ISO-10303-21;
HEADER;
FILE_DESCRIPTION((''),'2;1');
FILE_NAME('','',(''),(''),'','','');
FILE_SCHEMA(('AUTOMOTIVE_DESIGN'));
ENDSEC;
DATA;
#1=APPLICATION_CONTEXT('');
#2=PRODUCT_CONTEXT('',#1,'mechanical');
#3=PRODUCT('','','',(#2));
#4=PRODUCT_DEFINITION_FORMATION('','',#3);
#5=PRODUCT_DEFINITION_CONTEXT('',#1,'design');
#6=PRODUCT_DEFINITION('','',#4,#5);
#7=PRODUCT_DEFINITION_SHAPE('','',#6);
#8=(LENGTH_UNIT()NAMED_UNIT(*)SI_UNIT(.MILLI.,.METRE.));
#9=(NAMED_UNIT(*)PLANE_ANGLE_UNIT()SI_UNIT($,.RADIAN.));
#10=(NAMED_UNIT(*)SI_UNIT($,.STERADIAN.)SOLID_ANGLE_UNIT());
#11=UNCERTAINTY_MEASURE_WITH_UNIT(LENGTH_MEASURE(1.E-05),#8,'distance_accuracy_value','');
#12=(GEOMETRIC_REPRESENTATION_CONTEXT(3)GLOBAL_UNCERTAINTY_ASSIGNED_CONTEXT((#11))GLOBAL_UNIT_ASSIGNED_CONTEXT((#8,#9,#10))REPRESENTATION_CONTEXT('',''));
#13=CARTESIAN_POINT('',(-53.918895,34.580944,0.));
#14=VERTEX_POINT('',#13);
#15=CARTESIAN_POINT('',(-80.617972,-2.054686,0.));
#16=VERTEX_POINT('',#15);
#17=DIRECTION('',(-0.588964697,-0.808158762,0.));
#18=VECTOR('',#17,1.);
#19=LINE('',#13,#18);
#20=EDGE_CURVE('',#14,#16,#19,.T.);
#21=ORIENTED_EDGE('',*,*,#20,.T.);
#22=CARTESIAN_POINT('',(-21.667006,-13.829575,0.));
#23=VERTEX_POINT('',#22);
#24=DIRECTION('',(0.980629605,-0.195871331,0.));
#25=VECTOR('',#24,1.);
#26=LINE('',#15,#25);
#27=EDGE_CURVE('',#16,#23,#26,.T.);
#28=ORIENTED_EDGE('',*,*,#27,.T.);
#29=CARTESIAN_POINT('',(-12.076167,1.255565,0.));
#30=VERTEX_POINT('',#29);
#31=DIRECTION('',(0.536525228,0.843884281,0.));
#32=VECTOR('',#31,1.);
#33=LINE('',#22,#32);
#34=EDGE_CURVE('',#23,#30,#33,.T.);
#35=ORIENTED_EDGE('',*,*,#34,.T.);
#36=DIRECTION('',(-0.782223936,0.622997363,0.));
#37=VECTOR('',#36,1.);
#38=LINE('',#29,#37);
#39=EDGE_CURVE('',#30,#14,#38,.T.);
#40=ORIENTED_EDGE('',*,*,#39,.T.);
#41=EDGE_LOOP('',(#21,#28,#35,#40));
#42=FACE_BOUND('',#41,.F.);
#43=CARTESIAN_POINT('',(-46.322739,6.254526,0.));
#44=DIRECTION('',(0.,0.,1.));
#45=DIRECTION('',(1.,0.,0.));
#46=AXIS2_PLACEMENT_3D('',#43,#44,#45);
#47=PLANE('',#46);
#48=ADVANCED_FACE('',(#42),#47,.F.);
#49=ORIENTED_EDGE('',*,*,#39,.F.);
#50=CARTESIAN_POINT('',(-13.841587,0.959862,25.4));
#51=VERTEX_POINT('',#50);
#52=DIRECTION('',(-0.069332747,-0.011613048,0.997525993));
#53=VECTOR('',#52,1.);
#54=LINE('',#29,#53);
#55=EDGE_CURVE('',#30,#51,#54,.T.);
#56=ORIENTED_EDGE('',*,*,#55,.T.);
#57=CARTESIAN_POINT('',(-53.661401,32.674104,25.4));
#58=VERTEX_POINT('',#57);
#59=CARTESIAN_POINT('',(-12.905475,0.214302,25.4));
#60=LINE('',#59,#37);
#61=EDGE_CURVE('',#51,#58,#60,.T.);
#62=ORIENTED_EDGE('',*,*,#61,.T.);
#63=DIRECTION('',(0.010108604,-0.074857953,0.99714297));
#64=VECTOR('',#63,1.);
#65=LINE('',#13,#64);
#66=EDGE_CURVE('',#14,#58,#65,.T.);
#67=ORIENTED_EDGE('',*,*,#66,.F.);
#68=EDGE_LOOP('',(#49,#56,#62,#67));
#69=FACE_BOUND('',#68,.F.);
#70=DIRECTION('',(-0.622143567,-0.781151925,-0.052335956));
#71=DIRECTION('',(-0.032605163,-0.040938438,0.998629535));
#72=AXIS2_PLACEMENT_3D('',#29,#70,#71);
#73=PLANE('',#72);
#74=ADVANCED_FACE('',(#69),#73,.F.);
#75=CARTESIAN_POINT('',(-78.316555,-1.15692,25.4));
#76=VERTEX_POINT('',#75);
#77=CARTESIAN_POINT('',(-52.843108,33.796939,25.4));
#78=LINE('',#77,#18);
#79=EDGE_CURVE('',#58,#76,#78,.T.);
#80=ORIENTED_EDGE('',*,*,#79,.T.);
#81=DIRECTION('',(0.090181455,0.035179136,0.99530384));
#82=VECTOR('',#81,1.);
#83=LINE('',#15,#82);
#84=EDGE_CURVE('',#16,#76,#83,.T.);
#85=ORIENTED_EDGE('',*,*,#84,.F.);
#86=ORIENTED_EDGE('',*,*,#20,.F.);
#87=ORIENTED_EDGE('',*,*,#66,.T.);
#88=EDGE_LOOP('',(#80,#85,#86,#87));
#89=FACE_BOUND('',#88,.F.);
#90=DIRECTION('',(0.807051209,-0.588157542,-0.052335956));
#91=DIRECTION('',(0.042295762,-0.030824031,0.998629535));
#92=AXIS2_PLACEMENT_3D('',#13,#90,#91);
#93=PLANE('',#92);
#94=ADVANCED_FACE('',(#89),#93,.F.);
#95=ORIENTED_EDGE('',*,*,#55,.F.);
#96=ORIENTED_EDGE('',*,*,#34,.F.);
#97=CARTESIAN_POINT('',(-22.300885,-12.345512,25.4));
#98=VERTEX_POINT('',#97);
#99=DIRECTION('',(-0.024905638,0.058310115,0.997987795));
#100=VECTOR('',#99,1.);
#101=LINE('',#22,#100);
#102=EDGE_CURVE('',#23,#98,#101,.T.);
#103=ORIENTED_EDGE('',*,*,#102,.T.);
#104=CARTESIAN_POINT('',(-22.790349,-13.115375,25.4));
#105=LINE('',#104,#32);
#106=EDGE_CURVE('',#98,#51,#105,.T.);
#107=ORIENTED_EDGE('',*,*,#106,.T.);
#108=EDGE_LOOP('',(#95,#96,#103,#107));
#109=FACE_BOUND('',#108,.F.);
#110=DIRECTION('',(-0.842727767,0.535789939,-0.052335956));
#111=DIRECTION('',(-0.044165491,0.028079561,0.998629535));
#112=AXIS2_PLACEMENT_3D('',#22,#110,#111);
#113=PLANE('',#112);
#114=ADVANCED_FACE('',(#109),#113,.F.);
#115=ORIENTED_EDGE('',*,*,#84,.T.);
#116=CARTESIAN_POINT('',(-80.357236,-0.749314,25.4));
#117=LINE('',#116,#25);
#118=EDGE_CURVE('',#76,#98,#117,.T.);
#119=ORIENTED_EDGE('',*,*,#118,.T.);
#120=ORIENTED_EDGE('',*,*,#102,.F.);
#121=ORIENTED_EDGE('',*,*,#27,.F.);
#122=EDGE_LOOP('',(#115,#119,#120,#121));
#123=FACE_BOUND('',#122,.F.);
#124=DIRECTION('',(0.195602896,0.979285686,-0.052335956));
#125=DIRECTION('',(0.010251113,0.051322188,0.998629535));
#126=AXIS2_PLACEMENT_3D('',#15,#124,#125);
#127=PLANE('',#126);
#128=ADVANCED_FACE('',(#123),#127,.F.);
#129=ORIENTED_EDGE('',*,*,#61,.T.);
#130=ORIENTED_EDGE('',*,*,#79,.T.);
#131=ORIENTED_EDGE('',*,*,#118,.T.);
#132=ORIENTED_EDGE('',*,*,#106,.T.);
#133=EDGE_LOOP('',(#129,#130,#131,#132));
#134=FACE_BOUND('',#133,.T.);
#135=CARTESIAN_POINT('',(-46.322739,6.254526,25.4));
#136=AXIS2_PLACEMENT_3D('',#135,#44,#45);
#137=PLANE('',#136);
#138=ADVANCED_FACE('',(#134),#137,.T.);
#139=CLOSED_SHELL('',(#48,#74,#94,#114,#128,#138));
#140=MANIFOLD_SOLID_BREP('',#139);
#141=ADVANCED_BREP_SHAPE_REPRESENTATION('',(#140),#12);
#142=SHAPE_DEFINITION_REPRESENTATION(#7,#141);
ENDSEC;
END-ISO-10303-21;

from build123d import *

# Parameters (mm, degrees)
F1_DEPTH = 25.4
F1_TAPER = 3


with BuildPart() as f1:
    # F0 (on Top) → F1 (new body)
    with BuildSketch(Plane.XY):
        Polygon((-53.9188948608, 34.5809438741), (-80.6179717183, -2.0546864253), (-21.6670059705, -13.8295747828), (-12.0761672079, 1.2555650258), align=None)
    extrude(amount=F1_DEPTH, taper=F1_TAPER)


solid = f1.part
